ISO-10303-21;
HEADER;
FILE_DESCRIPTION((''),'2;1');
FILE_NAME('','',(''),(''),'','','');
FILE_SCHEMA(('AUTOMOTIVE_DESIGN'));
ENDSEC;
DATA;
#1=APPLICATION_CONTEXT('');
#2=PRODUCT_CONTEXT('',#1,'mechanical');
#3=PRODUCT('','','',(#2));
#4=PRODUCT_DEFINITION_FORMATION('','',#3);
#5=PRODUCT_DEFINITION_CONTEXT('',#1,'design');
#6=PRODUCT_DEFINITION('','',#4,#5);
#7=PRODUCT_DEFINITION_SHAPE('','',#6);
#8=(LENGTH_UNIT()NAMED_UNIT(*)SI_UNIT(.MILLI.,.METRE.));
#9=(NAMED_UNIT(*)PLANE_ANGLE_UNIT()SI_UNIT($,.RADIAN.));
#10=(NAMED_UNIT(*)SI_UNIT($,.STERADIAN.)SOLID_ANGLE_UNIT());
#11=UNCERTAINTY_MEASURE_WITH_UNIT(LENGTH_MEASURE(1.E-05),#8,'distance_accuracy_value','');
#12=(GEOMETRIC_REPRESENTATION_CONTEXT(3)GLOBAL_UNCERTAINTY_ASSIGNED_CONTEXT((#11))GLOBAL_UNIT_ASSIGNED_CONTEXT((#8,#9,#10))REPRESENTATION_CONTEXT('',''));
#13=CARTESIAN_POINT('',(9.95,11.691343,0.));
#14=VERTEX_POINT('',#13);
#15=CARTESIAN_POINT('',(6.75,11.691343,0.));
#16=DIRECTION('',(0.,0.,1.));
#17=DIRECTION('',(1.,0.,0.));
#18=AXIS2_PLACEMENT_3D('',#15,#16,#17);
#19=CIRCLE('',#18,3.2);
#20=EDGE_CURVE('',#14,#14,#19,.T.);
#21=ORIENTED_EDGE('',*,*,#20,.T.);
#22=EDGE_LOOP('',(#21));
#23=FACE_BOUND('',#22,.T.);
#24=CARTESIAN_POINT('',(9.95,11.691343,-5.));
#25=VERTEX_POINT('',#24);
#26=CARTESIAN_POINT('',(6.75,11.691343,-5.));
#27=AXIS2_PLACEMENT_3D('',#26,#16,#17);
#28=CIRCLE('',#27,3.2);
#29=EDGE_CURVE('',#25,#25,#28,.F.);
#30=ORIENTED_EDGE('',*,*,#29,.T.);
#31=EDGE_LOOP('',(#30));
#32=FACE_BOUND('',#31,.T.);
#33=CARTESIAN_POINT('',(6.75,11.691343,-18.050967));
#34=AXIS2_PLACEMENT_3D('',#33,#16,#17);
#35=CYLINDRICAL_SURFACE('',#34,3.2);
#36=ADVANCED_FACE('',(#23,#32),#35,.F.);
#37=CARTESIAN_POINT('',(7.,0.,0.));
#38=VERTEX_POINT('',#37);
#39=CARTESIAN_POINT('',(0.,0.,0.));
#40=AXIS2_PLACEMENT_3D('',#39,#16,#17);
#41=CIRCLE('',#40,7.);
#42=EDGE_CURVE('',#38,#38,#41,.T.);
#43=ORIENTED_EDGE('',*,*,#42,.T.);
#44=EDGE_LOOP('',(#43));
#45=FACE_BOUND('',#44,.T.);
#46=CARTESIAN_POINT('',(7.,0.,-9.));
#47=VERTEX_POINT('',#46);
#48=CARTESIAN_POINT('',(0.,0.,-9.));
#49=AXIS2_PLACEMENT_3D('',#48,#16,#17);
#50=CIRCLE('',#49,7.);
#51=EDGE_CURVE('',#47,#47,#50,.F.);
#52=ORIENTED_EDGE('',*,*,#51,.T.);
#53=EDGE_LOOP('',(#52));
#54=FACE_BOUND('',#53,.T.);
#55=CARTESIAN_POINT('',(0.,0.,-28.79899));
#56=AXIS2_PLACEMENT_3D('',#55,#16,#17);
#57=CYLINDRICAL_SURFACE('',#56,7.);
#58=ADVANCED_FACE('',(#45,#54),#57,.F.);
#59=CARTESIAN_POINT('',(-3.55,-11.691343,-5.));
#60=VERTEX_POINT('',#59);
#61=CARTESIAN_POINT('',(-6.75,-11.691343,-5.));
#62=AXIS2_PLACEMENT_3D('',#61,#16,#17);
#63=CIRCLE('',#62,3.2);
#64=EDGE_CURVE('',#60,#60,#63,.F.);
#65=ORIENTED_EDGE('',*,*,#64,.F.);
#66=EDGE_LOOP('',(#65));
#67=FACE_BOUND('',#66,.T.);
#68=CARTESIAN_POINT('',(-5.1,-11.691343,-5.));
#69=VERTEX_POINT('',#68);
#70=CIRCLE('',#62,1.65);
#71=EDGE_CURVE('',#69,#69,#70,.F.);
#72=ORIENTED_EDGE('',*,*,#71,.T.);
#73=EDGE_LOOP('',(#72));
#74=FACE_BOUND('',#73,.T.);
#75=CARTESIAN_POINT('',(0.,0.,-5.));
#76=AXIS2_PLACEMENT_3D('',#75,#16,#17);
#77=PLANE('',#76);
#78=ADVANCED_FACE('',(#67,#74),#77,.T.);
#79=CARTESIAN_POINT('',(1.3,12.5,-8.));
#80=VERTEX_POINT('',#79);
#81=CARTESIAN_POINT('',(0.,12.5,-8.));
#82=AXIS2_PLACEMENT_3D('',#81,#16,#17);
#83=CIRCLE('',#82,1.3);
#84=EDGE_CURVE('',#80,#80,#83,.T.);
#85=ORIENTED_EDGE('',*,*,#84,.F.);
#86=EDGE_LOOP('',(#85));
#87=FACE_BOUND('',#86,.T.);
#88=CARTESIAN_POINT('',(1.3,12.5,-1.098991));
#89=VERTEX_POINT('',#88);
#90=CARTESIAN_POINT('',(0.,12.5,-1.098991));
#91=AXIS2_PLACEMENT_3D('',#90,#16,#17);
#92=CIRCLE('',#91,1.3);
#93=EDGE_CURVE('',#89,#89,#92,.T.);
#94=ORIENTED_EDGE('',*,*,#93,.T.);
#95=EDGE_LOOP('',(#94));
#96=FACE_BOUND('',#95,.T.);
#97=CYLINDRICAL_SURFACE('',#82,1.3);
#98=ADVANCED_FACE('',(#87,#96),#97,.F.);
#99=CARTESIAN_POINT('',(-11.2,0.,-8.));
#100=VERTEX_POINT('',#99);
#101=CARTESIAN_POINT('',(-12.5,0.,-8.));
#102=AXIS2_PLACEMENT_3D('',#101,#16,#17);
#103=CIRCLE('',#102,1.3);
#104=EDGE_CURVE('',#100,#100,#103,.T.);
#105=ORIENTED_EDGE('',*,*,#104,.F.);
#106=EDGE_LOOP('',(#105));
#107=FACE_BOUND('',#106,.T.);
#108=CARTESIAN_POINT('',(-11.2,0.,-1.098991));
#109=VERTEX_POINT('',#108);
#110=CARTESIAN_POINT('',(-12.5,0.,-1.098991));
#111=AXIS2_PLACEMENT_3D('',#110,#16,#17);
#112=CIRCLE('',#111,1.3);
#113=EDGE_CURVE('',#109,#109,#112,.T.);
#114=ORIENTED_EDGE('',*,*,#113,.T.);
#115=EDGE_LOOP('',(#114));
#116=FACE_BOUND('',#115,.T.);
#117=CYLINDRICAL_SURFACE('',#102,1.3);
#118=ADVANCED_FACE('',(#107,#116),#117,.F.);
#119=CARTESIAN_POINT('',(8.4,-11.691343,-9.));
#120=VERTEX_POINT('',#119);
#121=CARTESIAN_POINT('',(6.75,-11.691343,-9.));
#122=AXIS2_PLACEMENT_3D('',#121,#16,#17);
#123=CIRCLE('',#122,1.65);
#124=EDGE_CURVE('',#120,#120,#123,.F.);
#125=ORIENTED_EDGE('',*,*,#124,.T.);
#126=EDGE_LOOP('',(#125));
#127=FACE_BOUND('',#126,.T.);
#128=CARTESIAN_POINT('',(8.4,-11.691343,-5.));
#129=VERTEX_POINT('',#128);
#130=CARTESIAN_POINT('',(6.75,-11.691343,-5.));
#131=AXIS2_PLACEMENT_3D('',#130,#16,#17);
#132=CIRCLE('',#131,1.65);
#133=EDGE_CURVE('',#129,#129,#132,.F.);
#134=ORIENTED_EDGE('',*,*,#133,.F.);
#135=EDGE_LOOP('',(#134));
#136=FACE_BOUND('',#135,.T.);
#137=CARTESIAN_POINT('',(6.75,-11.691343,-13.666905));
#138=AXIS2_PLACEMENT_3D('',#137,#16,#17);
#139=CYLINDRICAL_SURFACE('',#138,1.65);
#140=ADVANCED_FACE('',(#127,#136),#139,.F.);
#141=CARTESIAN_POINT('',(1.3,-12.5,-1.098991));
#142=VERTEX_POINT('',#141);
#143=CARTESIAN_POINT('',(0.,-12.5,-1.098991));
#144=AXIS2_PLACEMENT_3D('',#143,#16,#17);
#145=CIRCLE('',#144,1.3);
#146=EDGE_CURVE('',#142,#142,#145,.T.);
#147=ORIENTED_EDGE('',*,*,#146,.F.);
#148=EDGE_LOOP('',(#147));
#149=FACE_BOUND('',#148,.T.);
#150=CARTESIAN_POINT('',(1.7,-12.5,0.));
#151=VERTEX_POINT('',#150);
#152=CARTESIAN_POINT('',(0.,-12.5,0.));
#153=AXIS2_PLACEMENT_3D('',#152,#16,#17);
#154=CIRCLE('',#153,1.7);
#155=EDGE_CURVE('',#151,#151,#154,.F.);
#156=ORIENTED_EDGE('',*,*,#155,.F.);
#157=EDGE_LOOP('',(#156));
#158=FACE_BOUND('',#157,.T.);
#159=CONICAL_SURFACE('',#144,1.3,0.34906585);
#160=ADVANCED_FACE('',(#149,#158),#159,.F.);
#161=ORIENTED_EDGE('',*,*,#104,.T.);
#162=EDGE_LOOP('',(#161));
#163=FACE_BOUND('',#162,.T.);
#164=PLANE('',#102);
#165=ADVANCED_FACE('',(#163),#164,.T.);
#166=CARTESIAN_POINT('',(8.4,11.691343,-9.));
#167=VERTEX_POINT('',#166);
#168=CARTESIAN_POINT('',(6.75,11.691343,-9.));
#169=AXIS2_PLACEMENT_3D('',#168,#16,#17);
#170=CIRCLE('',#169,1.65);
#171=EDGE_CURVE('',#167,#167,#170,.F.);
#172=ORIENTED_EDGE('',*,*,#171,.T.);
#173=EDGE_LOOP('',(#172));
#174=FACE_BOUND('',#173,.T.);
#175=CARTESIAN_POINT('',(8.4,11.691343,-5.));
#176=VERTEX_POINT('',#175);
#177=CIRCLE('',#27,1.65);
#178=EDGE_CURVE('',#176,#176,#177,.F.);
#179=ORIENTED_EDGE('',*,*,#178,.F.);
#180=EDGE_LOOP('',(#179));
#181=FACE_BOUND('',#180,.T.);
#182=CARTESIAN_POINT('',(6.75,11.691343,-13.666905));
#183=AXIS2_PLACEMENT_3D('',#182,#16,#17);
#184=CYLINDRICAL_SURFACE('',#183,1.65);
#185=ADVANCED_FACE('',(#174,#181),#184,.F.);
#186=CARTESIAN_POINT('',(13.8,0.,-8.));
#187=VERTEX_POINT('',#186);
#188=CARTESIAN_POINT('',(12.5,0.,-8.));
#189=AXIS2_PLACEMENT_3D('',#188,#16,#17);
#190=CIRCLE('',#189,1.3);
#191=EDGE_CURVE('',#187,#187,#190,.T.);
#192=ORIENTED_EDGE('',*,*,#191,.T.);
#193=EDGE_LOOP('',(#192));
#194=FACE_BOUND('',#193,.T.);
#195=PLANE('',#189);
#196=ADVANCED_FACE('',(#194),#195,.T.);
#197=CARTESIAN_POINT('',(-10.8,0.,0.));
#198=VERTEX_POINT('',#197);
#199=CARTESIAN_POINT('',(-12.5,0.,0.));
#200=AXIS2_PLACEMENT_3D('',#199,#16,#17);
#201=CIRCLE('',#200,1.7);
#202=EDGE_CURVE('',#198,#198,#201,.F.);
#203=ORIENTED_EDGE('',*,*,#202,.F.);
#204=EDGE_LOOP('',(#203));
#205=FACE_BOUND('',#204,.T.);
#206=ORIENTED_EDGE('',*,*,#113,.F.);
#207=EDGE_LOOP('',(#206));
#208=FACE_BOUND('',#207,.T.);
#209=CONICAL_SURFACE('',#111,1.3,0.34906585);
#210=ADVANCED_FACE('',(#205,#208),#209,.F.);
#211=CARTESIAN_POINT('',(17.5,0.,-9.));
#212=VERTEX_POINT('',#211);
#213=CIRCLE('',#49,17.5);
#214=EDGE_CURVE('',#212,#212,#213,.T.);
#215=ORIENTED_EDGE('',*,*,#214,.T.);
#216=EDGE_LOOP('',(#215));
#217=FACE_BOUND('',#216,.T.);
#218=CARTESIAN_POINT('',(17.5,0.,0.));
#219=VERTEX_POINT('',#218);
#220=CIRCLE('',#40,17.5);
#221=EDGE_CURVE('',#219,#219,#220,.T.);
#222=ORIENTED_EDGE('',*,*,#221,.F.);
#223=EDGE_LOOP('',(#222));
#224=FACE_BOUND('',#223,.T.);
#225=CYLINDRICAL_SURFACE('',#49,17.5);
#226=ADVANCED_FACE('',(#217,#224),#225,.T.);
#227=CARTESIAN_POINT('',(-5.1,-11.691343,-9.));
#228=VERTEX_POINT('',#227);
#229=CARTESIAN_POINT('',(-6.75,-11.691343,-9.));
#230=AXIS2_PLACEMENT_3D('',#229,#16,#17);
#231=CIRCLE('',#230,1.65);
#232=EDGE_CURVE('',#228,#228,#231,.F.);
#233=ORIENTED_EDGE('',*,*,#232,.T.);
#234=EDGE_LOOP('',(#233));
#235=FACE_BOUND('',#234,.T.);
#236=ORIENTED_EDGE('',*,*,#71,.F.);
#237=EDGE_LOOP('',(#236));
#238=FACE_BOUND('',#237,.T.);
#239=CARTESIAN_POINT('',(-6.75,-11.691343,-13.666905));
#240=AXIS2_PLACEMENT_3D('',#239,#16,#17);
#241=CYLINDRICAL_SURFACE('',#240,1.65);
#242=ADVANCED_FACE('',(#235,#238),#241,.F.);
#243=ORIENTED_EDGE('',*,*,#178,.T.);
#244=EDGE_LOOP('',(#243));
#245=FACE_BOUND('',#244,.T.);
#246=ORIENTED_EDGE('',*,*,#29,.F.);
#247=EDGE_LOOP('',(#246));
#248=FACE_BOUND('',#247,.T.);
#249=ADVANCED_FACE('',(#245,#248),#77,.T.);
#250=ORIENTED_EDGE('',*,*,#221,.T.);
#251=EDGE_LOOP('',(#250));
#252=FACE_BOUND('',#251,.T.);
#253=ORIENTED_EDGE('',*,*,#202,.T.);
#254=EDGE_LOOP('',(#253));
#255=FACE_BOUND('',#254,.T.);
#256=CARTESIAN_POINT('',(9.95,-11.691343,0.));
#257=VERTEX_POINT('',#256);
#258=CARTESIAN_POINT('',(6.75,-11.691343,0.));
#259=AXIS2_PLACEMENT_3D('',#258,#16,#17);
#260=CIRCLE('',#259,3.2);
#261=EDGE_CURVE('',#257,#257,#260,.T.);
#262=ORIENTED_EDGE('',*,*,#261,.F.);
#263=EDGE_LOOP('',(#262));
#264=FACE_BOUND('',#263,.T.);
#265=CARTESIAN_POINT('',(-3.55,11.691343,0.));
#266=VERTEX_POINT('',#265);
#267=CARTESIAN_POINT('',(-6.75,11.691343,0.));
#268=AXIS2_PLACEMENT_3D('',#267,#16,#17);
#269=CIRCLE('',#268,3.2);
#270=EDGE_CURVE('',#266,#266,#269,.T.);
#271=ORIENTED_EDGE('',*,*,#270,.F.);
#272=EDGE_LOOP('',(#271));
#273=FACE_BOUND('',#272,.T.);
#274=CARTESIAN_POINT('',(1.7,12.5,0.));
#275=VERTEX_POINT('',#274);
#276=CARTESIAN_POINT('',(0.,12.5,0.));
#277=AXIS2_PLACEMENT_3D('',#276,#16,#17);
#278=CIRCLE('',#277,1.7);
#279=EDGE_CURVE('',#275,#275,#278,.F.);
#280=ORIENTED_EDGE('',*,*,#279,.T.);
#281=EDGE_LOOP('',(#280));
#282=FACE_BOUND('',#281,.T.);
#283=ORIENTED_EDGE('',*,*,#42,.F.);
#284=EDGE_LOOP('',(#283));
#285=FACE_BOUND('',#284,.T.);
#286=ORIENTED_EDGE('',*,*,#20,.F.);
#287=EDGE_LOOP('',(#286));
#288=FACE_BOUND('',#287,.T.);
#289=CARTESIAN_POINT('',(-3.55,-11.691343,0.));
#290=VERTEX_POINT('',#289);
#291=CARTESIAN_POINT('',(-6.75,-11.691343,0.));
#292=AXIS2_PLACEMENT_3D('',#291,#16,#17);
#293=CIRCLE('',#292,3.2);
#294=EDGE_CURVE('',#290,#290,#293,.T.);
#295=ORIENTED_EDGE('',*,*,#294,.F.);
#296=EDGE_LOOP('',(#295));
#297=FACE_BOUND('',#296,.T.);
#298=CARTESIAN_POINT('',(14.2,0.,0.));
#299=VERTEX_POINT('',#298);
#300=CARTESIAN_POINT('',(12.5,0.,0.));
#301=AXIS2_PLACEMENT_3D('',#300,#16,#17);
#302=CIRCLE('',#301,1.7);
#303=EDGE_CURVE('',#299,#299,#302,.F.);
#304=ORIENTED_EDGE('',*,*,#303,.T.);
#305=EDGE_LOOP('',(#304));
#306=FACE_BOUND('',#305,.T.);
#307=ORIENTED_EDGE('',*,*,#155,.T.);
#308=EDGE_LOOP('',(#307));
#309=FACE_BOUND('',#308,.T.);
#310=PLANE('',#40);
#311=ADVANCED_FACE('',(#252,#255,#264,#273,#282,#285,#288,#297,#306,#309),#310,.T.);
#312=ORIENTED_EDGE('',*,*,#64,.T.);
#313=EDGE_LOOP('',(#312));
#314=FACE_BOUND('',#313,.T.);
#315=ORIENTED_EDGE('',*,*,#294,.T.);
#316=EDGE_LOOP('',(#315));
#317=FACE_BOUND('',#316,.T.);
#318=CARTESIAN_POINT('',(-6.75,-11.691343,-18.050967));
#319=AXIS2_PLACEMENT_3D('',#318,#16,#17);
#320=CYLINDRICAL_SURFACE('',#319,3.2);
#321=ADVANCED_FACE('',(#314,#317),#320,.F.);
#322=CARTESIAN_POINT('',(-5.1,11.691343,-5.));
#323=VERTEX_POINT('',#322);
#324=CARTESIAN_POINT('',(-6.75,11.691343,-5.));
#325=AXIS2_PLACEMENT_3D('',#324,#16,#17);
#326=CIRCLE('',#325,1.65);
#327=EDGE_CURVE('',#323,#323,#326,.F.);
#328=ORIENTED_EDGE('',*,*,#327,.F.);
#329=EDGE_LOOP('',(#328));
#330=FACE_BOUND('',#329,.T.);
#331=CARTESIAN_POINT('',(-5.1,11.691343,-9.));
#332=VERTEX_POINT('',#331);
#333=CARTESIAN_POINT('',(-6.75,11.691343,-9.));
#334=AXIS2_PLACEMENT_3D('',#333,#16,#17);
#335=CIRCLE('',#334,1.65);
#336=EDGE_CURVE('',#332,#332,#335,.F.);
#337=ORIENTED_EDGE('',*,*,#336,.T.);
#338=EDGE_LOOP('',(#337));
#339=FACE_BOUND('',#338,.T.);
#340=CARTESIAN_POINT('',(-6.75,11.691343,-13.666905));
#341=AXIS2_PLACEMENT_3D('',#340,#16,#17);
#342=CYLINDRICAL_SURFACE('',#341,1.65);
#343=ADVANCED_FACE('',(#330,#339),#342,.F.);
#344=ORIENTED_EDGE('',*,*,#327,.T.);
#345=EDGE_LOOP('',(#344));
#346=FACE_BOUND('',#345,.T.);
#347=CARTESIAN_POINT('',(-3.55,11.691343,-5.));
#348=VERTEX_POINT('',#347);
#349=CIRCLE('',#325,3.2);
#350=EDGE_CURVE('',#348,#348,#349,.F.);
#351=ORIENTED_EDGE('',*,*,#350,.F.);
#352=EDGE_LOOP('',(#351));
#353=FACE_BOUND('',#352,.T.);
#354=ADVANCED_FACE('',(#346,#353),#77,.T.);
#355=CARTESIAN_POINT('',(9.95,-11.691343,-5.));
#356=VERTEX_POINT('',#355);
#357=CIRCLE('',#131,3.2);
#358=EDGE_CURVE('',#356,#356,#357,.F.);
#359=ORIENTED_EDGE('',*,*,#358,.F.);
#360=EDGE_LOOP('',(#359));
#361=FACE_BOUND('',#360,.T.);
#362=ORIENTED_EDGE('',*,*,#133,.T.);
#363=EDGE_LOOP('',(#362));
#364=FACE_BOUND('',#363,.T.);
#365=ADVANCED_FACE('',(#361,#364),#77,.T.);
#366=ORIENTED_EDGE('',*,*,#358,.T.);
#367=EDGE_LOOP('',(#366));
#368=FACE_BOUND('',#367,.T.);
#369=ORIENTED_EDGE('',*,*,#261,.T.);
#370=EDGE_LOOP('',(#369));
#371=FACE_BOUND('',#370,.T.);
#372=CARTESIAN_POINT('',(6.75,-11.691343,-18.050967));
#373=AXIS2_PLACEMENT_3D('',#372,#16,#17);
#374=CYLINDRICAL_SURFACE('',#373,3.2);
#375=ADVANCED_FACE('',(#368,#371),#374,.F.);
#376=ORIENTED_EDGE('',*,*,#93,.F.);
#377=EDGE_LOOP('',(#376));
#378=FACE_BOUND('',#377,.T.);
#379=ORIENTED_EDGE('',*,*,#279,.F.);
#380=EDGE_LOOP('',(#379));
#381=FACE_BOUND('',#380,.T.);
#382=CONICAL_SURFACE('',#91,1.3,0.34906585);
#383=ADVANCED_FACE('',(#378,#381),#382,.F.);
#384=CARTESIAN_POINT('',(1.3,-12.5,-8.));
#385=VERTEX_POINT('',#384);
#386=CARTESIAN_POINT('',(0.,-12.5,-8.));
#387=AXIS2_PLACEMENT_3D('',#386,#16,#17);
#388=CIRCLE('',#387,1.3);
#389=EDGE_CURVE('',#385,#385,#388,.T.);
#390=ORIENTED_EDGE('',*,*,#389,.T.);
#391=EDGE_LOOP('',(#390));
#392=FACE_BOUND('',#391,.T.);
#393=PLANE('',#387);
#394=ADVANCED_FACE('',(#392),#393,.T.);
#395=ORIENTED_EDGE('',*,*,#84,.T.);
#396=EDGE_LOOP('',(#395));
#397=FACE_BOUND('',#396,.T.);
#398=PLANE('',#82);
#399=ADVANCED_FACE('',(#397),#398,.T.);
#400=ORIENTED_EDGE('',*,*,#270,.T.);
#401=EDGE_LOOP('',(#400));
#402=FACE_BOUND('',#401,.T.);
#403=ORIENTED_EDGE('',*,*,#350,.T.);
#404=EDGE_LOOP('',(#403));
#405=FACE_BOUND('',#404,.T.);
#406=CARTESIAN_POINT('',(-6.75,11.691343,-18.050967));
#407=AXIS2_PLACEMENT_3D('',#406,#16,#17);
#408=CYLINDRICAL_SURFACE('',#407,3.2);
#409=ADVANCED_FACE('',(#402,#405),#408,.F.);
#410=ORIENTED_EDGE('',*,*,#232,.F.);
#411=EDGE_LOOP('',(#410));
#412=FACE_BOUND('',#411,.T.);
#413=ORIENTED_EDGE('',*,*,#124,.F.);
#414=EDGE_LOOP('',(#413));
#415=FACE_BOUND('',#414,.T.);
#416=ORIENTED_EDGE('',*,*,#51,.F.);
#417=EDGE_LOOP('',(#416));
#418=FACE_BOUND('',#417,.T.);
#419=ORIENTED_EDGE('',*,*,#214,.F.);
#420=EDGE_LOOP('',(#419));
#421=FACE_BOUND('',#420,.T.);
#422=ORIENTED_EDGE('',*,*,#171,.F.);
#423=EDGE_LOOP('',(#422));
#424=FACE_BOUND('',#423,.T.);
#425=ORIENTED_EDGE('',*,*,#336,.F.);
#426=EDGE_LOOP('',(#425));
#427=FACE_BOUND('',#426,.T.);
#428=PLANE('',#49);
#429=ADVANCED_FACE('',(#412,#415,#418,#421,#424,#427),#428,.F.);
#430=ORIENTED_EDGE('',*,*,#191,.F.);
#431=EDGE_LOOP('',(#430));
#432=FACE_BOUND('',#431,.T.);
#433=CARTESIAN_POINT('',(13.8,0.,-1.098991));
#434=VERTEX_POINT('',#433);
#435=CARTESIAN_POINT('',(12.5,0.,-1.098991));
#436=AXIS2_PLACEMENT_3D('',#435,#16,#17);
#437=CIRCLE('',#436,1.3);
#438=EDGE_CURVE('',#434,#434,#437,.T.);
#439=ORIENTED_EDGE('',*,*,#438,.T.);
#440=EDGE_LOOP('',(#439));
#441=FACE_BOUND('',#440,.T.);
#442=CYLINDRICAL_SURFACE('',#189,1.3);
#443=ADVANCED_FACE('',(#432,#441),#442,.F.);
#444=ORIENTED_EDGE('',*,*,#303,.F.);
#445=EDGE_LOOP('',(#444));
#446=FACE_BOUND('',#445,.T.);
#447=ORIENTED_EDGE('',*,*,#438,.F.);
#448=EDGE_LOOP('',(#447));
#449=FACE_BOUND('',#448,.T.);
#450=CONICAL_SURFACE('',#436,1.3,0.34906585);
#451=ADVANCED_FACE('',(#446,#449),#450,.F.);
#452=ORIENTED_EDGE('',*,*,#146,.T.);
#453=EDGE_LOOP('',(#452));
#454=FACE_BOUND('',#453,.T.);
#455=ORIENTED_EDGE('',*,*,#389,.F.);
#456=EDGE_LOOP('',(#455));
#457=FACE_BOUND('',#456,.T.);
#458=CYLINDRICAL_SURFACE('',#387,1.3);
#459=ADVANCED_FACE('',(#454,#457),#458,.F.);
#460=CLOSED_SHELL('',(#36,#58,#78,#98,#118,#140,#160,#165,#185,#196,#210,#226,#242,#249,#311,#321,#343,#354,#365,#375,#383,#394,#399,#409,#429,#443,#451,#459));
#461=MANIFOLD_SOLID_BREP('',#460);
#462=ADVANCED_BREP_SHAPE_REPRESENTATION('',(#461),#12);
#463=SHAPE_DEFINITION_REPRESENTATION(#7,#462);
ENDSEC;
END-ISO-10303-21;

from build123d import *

# Parameters (mm, degrees)
SKETCH_1_R          = 17.5
EXTRUDE_1_DEPTH     = 9
SKETCH_2_R          = 1.3
CUT_EXTRUDE_1_DEPTH = 8
SKETCH_3_R          = 1.65
CUT_EXTRUDE_2_DEPTH = 9
SKETCH_4_R          = 7
CUT_EXTRUDE_3_DEPTH = 9
CHAMFER_1_SIZE      = 0.4
CHAMFER_1_SIZE2     = 1.098990968
SKETCH_5_R          = 3.2
CUT_EXTRUDE_4_DEPTH = 5


with BuildPart() as part:
    # 草图1 → 凸台-拉伸1 (new body)
    with BuildSketch(Plane.XY):
        Circle(SKETCH_1_R)
    extrude(amount=-EXTRUDE_1_DEPTH)

    # 草图2 → 切除-拉伸1 (cut)
    with BuildSketch(Plane.XY):
        with Locations((12.5, 0)):
            Circle(SKETCH_2_R)
        with Locations((0, -12.5)):
            Circle(SKETCH_2_R)
        with Locations((-12.5, 0)):
            Circle(SKETCH_2_R)
        with Locations((0, 12.5)):
            Circle(SKETCH_2_R)
    extrude(amount=-CUT_EXTRUDE_1_DEPTH, mode=Mode.SUBTRACT)

    # 草图3 → 切除-拉伸2 (cut)
    with BuildSketch(Plane.XY):
        with Locations((6.75, -11.691342951)):
            Circle(SKETCH_3_R)
        with Locations((-6.75, -11.691342951)):
            Circle(SKETCH_3_R)
        with Locations((-6.75, 11.691342951)):
            Circle(SKETCH_3_R)
        with Locations((6.75, 11.691342951)):
            Circle(SKETCH_3_R)
    extrude(amount=-CUT_EXTRUDE_2_DEPTH, mode=Mode.SUBTRACT)

    # 草图4 → 切除-拉伸3 (cut)
    with BuildSketch(Plane.XY):
        Circle(SKETCH_4_R)
    extrude(amount=-CUT_EXTRUDE_3_DEPTH, mode=Mode.SUBTRACT)

    # 倒角1
    chamfer_1_edges = [part.edges().sort_by_distance(p)[0] for p in [
        (-1.3, -12.5, 0),
        (-13.8, 0, 0),
        (-1.3, 12.5, 0),
        (11.2, 0, 0),
    ]]
    chamfer_1_side = [part.faces().sort_by_distance(p)[0] for p in [
        (-17.005025253, 0, 0),
    ]]
    chamfer(chamfer_1_edges, length=CHAMFER_1_SIZE, length2=CHAMFER_1_SIZE2, reference=chamfer_1_side[0])

    # 草图5 → 切除-拉伸4 (cut)
    with BuildSketch(Plane.XY):
        with Locations((-6.75, 11.691342951)):
            Circle(SKETCH_5_R)
        with Locations((6.75, 11.691342951)):
            Circle(SKETCH_5_R)
        with Locations((6.75, -11.691342951)):
            Circle(SKETCH_5_R)
        with Locations((-6.75, -11.691342951)):
            Circle(SKETCH_5_R)
    extrude(amount=-CUT_EXTRUDE_4_DEPTH, mode=Mode.SUBTRACT)


solid = part.part
